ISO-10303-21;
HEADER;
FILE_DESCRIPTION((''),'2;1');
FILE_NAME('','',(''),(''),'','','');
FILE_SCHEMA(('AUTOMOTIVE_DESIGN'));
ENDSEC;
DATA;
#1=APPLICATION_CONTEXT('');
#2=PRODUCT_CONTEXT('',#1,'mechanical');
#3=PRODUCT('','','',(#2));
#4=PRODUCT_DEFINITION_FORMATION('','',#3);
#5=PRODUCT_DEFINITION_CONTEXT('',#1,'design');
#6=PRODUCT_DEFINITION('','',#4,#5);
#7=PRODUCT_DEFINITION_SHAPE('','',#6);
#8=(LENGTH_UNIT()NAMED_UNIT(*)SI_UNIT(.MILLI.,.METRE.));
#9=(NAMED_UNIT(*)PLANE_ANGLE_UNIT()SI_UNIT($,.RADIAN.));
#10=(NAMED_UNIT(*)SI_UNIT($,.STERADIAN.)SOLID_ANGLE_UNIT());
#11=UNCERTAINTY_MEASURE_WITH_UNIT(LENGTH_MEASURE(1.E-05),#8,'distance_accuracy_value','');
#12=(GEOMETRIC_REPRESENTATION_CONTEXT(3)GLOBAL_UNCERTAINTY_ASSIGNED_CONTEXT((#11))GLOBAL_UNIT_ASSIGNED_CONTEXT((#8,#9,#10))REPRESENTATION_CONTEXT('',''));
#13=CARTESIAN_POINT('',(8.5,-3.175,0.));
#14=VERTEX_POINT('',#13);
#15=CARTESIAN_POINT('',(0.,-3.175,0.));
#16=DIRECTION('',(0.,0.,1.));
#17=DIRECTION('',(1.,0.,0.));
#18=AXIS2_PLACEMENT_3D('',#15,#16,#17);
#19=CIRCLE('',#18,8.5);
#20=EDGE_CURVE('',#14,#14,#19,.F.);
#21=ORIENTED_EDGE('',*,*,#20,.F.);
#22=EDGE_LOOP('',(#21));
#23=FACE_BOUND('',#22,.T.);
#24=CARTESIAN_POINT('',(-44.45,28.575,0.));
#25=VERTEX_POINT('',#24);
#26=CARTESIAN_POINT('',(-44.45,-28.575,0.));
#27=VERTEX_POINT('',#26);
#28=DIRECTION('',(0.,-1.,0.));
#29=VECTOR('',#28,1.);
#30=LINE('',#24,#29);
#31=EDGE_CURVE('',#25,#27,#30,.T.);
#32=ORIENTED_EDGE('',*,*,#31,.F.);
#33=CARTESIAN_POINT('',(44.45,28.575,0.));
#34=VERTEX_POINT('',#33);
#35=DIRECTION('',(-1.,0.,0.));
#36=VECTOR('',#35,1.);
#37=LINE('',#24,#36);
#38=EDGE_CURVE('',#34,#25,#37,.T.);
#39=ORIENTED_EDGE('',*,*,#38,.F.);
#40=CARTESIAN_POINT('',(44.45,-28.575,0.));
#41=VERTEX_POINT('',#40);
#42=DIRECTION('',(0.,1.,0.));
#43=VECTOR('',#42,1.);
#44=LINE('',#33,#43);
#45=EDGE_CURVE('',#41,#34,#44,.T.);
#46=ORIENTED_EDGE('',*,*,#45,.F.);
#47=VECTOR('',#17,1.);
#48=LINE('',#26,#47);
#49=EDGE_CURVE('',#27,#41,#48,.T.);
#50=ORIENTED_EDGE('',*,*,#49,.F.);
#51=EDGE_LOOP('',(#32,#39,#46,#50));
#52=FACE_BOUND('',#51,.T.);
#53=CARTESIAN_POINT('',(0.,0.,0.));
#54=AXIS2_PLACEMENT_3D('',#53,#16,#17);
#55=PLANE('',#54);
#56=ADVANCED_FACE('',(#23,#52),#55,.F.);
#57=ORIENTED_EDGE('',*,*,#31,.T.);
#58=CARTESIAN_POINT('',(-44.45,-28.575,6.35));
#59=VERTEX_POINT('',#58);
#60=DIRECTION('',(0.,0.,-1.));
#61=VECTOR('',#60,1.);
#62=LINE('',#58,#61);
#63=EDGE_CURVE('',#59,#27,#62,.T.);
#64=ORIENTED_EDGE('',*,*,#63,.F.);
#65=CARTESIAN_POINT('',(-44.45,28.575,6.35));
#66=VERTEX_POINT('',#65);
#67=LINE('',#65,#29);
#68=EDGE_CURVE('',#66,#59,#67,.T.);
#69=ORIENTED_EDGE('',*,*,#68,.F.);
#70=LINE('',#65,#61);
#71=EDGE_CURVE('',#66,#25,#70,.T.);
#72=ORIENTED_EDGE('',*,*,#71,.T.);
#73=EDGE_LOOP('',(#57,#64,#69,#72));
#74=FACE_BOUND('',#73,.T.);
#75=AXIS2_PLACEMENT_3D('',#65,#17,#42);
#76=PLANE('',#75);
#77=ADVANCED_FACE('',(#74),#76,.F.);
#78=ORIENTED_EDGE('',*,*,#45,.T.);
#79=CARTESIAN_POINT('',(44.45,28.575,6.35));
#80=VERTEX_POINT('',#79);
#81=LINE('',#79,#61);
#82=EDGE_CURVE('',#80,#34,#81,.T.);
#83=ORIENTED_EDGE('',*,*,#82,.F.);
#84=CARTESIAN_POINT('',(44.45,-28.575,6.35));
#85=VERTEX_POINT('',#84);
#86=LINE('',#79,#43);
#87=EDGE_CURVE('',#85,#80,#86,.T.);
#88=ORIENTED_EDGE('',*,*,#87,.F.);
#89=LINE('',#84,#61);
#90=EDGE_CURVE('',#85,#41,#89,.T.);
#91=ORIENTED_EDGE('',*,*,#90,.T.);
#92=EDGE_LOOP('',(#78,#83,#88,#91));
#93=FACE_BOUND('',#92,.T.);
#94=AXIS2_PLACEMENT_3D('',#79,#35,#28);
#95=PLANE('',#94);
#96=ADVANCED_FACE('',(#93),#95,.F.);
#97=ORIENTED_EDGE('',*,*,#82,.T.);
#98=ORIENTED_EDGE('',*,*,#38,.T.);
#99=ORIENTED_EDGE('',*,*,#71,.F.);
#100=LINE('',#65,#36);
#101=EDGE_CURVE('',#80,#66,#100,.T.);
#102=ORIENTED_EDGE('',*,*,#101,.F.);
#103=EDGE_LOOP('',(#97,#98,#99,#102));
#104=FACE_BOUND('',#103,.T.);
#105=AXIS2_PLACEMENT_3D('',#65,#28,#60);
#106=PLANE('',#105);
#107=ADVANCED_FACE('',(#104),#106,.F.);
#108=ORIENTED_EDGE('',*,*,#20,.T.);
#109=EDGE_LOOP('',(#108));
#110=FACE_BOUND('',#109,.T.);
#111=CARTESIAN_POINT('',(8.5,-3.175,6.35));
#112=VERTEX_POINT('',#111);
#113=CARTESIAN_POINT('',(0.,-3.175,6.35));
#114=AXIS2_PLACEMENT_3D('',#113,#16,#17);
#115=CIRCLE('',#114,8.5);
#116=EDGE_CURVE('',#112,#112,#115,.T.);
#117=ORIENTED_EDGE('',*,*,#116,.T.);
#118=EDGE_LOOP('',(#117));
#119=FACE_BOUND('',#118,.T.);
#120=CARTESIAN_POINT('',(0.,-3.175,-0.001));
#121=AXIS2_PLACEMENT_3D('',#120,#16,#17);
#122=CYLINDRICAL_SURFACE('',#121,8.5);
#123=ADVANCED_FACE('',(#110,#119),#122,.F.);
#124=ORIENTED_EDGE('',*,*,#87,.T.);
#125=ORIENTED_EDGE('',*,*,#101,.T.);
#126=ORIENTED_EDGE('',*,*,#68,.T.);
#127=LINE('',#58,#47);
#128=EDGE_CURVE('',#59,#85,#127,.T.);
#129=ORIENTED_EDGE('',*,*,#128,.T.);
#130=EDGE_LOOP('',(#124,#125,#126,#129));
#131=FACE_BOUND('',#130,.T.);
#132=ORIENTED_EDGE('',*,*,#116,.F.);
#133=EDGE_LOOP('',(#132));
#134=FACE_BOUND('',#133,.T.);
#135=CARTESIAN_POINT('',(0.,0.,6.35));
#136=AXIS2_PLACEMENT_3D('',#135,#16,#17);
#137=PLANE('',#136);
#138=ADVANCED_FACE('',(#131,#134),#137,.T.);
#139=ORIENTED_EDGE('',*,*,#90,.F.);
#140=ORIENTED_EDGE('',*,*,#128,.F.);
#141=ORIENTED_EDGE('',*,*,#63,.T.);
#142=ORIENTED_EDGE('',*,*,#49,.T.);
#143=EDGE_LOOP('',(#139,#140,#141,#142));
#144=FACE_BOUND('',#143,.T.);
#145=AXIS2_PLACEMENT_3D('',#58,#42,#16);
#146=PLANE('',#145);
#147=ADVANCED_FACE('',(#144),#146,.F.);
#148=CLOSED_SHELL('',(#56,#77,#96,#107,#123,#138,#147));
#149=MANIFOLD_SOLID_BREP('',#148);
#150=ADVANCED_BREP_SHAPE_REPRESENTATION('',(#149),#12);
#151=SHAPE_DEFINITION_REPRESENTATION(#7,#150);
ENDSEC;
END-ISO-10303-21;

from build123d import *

# Parameters (mm, degrees)
SKETCH1_W           = 88.9
SKETCH1_H           = 57.15
BOSS_EXTRUDE1_DEPTH = 6.35
CUT_EXTRUDE1_REACH  = 55.223
SKETCH2_R           = 8.5


with BuildPart() as part:
    # Sketch1 → Boss-Extrude1 (new body)
    with BuildSketch(Plane.XY):
        Rectangle(SKETCH1_W, SKETCH1_H)
    extrude(amount=BOSS_EXTRUDE1_DEPTH)

    # Sketch2 → Cut-Extrude1 (cut, up to next)
    with BuildSketch(Plane.XY.offset(6.35), mode=Mode.PRIVATE) as cut_extrude1_sk1:
        with Locations((0, -3.175)):
            Circle(SKETCH2_R)
    cut_extrude1_tool1 = extrude(cut_extrude1_sk1.sketch, amount=-CUT_EXTRUDE1_REACH, mode=Mode.PRIVATE) & part.part
    add(cut_extrude1_tool1.solids().sort_by_distance((0, -3.175, 6.35))[0], mode=Mode.SUBTRACT)


solid = part.part
